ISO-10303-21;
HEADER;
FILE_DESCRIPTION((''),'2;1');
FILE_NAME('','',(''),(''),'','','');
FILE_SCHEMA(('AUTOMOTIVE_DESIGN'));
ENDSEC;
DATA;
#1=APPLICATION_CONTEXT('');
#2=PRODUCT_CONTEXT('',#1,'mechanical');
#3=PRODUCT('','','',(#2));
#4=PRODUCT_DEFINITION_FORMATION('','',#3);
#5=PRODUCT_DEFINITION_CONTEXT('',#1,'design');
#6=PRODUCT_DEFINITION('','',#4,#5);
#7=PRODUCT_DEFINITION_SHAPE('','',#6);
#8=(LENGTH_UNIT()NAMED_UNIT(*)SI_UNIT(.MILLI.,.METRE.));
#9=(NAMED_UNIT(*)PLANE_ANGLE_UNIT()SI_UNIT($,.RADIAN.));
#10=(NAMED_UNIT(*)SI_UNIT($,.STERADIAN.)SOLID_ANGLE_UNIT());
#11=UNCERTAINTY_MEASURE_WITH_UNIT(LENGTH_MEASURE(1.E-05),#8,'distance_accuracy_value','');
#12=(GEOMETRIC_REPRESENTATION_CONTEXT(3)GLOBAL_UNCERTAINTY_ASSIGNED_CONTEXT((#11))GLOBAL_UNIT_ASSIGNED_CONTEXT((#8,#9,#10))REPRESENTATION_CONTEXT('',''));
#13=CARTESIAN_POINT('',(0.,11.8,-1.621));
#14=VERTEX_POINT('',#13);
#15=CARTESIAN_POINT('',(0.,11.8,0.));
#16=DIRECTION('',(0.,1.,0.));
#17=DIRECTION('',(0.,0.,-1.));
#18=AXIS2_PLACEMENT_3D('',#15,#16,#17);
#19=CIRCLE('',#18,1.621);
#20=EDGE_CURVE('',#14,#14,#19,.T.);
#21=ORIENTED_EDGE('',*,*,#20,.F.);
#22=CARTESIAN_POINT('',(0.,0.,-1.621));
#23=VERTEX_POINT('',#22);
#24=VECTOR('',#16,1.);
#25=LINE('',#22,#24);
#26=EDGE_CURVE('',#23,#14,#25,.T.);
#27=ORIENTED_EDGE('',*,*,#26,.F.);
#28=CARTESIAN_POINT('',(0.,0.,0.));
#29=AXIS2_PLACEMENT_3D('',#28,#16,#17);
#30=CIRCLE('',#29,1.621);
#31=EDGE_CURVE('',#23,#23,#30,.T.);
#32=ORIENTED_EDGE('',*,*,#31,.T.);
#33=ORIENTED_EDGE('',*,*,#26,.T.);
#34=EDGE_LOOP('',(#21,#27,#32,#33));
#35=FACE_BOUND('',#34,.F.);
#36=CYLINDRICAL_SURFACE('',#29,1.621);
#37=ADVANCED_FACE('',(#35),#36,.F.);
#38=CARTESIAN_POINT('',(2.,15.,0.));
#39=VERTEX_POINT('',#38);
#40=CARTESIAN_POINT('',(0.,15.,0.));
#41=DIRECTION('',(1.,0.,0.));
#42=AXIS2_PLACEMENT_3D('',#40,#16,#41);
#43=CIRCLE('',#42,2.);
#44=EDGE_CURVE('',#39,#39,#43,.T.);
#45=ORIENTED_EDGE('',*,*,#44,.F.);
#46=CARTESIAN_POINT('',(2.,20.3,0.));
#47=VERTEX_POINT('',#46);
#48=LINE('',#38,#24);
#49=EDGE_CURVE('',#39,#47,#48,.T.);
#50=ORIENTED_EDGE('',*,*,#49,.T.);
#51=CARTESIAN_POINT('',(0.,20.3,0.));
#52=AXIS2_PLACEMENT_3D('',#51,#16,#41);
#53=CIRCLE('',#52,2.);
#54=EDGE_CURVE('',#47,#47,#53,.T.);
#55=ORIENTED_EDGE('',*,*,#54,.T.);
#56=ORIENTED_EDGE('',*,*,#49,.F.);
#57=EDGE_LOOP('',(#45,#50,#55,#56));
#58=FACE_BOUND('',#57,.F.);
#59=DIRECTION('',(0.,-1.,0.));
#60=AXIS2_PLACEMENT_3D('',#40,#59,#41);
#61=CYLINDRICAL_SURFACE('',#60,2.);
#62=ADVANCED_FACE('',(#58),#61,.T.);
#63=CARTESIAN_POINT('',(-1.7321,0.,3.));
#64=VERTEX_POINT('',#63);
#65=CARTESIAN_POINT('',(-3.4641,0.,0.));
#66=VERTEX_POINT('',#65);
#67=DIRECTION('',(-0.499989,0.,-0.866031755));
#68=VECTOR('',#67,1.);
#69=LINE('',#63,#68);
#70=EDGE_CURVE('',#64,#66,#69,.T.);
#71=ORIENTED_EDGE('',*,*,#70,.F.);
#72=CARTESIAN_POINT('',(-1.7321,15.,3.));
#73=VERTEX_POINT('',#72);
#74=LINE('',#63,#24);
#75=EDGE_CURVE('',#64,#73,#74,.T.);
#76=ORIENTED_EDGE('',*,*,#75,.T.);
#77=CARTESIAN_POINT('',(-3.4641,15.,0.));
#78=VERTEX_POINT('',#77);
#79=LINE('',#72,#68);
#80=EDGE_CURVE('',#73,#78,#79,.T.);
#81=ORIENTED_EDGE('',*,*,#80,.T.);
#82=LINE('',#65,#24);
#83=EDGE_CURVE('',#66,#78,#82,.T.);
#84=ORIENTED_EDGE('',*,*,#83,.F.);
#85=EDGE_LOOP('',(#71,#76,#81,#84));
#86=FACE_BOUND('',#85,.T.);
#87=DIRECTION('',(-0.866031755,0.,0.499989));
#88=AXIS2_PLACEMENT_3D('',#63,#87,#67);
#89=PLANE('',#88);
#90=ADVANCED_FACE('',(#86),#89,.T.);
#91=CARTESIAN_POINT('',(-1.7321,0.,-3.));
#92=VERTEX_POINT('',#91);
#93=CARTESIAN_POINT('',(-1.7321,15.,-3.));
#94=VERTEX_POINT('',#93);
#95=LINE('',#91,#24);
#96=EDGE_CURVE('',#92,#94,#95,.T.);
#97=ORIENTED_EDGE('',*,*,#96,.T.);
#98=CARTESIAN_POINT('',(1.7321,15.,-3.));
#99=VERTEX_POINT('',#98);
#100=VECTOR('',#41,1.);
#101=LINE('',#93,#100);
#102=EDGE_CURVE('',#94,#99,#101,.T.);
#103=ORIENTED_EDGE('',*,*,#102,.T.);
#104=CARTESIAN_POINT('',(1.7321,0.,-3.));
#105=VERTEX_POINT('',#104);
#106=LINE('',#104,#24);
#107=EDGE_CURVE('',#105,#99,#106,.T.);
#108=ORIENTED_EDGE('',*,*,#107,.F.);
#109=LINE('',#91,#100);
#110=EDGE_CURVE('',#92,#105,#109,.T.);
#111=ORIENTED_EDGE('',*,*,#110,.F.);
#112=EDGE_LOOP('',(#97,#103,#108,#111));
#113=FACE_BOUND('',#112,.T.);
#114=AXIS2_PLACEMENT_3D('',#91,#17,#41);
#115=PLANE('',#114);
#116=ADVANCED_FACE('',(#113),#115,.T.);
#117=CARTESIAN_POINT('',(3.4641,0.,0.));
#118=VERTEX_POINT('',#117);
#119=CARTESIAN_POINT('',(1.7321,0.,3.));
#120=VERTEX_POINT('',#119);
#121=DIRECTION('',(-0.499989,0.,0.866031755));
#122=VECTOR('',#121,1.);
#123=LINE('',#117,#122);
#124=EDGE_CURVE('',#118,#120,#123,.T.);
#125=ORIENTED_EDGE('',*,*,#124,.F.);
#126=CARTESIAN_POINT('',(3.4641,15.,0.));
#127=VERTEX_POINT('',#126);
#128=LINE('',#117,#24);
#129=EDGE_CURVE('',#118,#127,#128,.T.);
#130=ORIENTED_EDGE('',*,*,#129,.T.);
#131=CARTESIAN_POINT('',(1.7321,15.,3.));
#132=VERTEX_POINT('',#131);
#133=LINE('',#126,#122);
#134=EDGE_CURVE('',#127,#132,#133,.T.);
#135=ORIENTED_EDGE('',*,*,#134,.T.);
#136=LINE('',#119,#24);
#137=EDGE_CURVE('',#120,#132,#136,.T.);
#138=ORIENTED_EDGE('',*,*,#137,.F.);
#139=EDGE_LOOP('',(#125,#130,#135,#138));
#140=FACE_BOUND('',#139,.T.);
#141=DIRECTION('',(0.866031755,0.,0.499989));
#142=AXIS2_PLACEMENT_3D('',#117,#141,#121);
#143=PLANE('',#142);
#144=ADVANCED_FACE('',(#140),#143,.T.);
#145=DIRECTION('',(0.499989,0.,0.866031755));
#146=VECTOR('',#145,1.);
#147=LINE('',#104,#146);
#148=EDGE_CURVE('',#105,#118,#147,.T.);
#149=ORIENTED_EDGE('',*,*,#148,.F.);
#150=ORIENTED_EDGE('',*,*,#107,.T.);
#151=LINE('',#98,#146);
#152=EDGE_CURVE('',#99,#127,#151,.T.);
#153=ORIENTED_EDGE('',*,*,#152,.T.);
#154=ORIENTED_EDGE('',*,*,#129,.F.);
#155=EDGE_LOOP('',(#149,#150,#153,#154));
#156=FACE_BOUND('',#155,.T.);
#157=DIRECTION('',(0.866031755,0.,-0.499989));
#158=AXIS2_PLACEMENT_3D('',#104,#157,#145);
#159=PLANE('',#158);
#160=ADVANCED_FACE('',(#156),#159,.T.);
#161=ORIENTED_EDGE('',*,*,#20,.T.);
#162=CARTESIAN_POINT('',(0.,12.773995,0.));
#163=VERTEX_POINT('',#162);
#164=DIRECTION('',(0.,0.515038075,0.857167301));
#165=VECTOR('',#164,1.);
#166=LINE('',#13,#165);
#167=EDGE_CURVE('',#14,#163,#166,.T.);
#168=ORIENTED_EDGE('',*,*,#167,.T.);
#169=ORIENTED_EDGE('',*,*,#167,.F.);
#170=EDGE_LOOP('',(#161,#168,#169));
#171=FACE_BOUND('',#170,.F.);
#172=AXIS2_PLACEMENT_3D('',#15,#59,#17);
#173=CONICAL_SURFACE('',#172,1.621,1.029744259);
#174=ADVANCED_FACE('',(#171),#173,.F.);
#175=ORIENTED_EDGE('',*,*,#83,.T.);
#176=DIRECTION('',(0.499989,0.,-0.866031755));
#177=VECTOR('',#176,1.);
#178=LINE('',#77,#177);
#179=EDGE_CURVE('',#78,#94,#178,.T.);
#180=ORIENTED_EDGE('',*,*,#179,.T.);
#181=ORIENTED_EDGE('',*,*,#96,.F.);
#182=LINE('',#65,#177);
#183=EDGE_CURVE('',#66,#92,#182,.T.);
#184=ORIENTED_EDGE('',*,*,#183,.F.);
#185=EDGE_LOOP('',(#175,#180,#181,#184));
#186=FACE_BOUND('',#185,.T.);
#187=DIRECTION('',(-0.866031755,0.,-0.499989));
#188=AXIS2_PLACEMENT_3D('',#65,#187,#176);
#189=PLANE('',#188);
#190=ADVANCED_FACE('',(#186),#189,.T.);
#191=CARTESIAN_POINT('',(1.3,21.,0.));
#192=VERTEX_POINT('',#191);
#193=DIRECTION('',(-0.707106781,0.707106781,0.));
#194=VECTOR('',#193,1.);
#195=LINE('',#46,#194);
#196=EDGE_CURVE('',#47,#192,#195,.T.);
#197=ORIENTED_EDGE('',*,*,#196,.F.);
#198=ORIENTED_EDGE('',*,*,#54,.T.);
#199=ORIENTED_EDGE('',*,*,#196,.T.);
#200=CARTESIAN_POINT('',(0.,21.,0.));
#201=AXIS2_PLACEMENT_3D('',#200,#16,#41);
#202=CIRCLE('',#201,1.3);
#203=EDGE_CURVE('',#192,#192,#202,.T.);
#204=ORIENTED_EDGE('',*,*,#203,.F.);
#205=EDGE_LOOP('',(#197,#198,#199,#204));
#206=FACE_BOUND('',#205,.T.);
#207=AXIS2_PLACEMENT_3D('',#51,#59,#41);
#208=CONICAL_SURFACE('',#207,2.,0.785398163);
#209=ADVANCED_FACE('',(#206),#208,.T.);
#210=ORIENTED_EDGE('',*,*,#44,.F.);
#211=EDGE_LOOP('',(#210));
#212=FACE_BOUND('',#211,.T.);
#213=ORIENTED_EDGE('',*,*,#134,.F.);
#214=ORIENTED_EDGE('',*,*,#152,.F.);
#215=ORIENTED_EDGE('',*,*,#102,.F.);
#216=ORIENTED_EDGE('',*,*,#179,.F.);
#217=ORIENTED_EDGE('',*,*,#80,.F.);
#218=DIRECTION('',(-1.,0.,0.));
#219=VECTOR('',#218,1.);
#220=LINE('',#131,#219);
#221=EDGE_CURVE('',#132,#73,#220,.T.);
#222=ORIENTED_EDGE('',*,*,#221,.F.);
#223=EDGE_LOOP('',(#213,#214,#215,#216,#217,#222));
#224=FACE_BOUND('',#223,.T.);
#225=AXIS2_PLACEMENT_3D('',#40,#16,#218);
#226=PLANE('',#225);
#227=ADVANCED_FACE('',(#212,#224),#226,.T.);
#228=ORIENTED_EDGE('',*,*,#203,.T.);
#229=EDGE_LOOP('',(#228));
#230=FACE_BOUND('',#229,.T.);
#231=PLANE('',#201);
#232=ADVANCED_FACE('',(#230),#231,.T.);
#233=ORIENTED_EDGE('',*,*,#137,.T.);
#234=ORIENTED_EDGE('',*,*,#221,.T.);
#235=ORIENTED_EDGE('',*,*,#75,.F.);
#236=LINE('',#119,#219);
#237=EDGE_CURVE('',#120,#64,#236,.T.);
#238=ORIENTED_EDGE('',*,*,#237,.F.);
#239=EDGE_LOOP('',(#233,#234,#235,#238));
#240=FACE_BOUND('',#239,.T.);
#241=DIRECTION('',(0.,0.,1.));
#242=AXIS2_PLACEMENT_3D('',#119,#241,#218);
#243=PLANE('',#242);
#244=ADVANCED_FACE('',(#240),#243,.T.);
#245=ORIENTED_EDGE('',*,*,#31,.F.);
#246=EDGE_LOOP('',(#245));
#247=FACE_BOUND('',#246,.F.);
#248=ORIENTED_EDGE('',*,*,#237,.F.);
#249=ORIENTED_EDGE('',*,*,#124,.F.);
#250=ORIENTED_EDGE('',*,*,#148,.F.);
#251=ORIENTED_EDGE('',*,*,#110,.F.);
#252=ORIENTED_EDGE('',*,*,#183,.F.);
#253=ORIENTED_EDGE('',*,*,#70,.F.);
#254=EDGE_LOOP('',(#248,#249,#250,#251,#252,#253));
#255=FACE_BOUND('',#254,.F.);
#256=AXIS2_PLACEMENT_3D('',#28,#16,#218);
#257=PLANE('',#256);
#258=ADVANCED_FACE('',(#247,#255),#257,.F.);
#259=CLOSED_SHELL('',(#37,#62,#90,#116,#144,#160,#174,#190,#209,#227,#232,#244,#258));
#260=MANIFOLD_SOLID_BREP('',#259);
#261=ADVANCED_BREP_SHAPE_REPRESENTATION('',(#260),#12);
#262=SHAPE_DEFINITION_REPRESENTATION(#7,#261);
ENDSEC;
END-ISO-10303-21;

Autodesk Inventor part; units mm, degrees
ref_plane "YZ Plane" through (0, 0, 0) normal (1, 0, 0) x (0, 1, 0)
ref_plane "XZ Plane" through (0, 0, 0) normal (0, 1, 0) x (-1, 0, 0)
ref_plane "XY Plane" through (0, 0, 0) normal (0, 0, 1) x (1, 0, 0)
sketch "Sketch1" plane through (0, 0, 0) normal (0, 1, 0) x (-1, 0, 0)
  line L0 (-1.7321, -3) -> (-3.4641, 0)
  line L1 (-3.4641, 0) -> (-1.7321, 3)
  line L2 (-1.7321, 3) -> (1.7321, 3)
  line L3 (1.7321, 3) -> (3.4641, 0)
  line L4 (3.4641, 0) -> (1.7321, -3)
  line L5 (1.7321, -3) -> (-1.7321, -3)
  point P0 (0, 0)
  point P1 (0, 0)
  point P2 (0, 0)
  dimension "d0" = 3
extrude "Extrusion1" add sketch "Sketch1" along normal blind 15
hole "Hole2" at (0, 0, 0) direction (0, 1, 0) diameter 3.242 depth 11.8 tip angle 118 thread size "M4x0.7" class "6H" standard "ISO Metric profile"
sketch "Sketch3" plane through (0, 15, 0) normal (0, 1, 0) x (1, 0, 0)
  circle A0 centre (0, 0) radius 2
  dimension "d17" = 4
extrude "Extrusion2" add sketch "Sketch3" along normal blind 6
thread "Thread1" size "M4x0.7" class "6g" standard "ANSI Metric M Profile" length 5
chamfer "Chamfer1" distance 0.7 angle 45 1 edges at (-2, 21, 0)
properties part number "StandoffM4x15B" material "Brass, Soft Yellow"
